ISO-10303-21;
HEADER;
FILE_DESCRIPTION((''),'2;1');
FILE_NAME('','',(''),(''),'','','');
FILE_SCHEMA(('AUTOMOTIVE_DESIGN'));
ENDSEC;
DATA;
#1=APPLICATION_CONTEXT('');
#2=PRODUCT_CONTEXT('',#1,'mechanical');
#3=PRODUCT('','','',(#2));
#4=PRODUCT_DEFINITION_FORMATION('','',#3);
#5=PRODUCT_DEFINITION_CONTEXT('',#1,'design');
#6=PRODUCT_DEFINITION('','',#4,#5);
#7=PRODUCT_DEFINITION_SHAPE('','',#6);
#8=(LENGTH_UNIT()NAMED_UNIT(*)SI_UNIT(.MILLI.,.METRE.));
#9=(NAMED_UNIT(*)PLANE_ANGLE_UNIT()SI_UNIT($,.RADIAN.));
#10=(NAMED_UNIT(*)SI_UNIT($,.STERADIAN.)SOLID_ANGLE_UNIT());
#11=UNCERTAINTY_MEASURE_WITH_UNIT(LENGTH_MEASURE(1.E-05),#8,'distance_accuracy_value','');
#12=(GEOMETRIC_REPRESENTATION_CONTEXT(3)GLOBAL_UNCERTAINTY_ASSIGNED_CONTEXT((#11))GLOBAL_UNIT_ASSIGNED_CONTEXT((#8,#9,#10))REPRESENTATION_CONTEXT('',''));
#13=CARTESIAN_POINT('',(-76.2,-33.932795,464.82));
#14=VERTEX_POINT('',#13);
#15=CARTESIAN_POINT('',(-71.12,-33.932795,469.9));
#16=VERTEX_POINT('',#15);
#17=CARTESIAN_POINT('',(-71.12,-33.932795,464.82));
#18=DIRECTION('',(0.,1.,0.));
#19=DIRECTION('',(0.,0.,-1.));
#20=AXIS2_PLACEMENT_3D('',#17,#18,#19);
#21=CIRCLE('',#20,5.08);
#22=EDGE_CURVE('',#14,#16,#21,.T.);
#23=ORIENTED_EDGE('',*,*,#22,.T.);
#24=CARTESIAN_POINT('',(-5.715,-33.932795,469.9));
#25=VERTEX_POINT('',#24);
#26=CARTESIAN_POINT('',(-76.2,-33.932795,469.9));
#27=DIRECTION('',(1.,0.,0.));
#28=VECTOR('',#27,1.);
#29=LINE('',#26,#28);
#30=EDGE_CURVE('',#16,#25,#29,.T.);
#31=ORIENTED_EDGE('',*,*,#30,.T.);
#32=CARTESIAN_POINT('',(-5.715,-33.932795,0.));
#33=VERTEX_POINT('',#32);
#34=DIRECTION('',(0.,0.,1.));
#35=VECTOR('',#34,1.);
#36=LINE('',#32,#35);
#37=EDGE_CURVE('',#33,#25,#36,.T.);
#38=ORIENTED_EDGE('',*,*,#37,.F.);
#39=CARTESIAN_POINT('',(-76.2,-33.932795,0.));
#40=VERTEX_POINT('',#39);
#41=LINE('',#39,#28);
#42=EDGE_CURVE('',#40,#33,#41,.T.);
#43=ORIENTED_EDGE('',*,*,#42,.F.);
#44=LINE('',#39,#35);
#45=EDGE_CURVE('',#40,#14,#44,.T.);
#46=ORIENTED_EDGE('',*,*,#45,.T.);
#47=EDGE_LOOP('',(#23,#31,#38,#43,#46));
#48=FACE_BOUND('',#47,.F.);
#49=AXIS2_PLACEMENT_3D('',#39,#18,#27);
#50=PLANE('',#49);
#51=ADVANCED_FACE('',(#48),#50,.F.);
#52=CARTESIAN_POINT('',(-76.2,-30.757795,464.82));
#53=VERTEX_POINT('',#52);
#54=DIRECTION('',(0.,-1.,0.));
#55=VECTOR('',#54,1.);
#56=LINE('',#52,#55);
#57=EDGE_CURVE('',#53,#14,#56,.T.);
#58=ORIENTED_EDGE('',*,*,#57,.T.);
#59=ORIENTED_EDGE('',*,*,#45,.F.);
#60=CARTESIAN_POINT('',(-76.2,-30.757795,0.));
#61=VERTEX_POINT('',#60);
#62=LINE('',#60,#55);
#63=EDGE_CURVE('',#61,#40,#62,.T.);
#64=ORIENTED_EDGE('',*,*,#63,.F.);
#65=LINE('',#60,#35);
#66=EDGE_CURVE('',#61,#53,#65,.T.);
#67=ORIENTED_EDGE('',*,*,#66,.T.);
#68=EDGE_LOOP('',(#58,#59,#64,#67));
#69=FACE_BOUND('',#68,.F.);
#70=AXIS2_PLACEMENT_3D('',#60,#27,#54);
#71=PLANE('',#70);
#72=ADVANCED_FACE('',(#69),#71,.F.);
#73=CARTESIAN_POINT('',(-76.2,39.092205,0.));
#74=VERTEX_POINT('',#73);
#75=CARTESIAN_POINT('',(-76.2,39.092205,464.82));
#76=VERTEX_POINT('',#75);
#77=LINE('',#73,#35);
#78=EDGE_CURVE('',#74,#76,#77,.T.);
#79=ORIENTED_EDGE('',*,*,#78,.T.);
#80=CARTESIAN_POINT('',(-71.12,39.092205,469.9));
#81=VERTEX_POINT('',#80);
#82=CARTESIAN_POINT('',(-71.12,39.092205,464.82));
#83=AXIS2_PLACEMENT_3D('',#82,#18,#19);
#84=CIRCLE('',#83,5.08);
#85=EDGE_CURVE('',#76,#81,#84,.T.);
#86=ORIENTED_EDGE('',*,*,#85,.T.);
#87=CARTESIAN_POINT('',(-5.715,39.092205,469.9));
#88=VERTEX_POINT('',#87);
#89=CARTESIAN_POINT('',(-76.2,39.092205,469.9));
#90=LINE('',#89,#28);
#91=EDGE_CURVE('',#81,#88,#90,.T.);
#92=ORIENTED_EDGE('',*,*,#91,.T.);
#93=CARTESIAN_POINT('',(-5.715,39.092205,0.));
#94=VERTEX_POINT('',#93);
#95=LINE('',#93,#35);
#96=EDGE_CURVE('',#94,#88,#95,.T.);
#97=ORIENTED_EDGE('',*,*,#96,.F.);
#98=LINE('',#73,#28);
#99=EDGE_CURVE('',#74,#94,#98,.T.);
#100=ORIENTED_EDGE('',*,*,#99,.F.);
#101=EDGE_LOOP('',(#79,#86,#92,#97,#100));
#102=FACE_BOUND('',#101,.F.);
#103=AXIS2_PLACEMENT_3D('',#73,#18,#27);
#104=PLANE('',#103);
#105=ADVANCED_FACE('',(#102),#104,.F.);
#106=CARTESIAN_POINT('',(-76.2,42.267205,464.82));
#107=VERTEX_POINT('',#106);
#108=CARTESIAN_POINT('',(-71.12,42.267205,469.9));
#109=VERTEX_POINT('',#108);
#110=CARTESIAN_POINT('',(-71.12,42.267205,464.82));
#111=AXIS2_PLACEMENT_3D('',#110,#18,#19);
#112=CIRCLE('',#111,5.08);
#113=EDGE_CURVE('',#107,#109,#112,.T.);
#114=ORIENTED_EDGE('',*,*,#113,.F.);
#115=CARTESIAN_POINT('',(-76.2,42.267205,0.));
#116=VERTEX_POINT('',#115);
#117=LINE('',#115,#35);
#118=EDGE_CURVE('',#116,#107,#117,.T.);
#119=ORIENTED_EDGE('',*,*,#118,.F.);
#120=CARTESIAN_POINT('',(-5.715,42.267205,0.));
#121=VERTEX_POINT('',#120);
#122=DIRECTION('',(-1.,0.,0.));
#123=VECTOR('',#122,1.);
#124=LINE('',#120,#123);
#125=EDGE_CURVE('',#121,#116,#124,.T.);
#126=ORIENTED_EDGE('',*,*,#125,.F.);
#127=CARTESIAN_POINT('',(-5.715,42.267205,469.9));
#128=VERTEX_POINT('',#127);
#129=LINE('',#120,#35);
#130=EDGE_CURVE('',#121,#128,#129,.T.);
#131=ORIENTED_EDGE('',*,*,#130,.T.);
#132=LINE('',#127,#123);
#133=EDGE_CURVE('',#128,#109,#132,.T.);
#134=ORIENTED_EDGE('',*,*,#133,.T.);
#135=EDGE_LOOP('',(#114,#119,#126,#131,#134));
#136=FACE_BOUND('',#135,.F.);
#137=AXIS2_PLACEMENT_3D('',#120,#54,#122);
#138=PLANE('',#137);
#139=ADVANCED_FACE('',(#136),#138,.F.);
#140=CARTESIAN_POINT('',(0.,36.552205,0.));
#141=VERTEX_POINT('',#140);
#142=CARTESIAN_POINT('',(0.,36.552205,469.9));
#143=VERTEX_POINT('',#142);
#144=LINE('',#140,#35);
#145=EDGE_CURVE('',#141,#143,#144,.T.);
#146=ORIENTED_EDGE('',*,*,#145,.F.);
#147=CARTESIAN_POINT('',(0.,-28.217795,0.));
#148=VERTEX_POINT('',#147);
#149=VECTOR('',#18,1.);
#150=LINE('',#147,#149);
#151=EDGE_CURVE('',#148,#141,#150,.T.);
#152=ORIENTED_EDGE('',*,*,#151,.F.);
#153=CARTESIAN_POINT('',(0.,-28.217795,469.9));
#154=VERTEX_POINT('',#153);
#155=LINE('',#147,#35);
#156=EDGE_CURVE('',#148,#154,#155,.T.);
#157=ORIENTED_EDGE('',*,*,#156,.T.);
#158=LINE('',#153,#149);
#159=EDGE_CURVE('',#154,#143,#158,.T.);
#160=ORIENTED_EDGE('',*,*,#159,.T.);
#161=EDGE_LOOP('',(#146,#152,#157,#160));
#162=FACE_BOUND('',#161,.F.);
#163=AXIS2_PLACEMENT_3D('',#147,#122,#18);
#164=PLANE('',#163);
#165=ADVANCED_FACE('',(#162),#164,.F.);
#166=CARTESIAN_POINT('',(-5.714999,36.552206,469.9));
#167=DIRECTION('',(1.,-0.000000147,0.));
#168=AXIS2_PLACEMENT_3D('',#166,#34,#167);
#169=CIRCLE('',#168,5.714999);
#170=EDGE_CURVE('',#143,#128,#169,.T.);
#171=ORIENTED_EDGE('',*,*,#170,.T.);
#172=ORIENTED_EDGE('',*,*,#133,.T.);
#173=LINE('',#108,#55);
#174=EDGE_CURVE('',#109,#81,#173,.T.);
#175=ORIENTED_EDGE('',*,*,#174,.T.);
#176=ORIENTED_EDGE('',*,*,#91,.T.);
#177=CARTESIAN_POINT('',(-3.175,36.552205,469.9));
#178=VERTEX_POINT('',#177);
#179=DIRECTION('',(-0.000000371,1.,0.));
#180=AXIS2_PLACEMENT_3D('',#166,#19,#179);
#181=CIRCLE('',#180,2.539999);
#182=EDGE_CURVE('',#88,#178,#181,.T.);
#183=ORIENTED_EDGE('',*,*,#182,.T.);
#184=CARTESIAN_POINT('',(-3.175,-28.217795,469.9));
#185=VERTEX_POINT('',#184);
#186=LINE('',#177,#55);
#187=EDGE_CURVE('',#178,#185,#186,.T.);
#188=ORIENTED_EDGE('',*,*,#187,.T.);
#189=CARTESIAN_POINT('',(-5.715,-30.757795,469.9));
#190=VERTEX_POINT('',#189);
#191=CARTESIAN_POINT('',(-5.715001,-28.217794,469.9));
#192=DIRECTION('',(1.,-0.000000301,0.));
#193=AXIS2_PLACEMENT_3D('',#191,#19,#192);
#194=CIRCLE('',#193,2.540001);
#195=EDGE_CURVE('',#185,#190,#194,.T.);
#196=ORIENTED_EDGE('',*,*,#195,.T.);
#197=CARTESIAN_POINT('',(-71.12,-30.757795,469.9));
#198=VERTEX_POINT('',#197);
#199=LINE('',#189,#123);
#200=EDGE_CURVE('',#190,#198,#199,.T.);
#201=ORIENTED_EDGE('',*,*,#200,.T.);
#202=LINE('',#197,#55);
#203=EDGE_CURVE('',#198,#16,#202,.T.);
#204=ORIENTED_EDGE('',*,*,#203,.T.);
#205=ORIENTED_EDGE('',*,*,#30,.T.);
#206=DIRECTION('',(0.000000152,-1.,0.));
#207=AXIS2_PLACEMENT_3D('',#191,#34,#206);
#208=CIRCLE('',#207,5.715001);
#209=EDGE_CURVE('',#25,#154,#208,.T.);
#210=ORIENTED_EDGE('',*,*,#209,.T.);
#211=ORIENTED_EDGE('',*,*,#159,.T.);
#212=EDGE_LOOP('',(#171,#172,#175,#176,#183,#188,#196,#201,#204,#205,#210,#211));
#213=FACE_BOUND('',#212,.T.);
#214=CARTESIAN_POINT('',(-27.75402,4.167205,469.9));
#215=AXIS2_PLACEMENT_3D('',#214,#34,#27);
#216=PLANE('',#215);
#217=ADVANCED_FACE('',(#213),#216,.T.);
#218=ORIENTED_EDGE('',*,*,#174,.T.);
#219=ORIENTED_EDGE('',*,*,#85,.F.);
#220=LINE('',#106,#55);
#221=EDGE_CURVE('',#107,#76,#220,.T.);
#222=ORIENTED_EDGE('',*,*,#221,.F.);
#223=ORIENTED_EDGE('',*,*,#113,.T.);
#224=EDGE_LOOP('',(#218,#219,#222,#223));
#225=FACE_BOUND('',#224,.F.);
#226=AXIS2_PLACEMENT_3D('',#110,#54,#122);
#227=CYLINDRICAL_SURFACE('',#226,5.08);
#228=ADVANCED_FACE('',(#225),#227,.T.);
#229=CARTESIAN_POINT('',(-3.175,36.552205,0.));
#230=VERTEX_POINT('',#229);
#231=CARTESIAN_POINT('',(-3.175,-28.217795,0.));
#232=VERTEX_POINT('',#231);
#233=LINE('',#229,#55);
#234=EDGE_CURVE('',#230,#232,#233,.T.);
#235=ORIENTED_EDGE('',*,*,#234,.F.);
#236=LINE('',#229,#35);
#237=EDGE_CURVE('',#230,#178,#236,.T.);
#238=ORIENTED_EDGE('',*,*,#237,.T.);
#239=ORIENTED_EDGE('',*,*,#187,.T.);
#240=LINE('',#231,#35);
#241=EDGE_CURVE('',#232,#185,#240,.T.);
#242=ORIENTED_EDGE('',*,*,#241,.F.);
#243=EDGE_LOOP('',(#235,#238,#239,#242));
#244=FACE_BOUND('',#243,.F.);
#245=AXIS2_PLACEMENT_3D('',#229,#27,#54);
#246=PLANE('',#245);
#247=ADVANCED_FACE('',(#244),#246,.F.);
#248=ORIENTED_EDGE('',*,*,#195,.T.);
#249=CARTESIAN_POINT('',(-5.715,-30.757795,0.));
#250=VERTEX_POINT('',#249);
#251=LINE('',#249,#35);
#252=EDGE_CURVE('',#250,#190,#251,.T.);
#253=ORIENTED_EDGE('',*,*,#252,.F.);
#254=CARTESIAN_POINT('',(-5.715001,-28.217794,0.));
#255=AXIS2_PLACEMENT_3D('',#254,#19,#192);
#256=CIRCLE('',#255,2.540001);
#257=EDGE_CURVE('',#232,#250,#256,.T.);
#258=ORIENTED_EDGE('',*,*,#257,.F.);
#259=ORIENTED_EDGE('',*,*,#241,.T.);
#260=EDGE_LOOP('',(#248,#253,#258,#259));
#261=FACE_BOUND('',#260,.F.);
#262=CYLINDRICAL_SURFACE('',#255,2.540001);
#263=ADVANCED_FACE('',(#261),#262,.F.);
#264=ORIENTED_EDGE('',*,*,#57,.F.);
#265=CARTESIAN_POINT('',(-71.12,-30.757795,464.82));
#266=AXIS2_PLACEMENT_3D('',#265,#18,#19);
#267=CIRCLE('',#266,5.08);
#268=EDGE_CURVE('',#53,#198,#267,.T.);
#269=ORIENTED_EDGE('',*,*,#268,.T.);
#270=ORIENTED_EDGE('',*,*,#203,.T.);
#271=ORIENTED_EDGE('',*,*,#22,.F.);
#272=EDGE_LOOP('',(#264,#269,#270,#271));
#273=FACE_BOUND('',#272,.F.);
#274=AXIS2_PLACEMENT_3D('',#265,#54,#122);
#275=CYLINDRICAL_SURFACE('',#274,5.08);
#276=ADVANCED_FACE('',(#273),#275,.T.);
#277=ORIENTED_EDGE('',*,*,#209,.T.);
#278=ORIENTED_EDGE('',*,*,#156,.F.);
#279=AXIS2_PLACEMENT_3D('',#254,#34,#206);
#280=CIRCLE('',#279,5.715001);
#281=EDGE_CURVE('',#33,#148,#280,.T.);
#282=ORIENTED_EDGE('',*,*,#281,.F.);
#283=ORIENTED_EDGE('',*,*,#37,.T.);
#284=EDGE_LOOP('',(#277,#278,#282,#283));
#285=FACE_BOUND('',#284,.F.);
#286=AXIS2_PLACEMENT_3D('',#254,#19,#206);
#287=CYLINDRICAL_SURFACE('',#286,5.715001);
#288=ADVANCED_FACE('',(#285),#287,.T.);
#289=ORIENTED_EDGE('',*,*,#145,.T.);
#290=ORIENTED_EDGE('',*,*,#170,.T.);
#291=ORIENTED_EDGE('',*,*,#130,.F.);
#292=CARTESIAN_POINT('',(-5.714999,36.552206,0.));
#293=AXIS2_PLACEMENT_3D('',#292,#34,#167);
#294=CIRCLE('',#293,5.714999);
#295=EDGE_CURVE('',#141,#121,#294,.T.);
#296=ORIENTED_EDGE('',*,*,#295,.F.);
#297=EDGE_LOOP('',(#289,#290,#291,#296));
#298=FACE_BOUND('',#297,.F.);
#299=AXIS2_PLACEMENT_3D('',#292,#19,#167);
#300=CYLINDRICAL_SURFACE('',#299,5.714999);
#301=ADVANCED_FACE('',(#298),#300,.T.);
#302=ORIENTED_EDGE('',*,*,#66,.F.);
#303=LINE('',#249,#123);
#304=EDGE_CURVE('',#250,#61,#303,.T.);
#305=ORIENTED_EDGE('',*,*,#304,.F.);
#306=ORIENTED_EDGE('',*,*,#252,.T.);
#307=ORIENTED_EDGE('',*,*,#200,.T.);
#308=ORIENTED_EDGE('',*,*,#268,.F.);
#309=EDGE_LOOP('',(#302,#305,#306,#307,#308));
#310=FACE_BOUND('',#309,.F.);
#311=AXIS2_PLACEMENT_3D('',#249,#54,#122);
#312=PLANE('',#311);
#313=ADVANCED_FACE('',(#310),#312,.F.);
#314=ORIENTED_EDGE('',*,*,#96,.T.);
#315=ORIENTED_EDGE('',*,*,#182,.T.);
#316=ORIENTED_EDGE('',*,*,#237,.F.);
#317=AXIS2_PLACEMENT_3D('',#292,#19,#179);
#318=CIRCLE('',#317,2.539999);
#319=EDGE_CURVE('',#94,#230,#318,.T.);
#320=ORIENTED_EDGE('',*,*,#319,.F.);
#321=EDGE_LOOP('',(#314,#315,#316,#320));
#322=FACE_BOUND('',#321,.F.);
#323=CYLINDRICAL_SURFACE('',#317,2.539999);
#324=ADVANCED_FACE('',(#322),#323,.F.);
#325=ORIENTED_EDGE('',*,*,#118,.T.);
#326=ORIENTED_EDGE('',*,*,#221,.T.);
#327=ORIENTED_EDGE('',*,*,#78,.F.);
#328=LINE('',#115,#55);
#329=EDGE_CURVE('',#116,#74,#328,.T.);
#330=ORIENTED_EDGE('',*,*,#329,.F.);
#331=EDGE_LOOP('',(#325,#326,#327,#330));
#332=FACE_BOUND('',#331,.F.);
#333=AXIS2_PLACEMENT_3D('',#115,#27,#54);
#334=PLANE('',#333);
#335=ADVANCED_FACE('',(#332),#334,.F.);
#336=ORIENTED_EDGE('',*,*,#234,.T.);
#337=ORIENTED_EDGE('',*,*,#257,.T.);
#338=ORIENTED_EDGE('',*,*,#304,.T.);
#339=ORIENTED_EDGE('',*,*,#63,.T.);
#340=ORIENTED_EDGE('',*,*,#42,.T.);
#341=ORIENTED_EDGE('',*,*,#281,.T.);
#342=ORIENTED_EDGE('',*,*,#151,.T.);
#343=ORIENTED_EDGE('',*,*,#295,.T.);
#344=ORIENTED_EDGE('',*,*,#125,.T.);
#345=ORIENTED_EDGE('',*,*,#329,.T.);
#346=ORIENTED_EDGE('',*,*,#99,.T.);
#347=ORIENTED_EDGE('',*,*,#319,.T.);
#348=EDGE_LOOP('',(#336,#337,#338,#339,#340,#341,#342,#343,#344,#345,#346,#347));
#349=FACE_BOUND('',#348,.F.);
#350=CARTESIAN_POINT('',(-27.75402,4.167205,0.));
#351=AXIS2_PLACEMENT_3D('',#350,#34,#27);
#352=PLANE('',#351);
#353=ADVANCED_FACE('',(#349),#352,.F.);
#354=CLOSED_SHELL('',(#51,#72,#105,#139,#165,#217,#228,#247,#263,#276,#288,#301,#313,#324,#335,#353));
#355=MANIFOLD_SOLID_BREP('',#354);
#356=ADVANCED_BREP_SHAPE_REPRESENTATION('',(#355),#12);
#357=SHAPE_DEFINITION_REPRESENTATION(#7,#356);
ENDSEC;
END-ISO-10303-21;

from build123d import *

# Parameters (mm, degrees)
F1_DEPTH = 469.9
F2_R     = 5.08


with BuildPart() as f1:
    # F0 (on Top) → F1 (new body)
    with BuildSketch(Plane.XY):
        with BuildLine():
            Line((-5.715, 42.267205), (-76.2, 42.267205))
            Line((-76.2, 42.267205), (-76.2, 39.092205))
            Line((-76.2, 39.092205), (-5.715, 39.092205))
            ThreePointArc((-5.715, 39.092205), (-3.918949, 38.348257), (-3.175, 36.552205))
            Line((-3.175, 36.552205), (-3.175, -28.217795))
            ThreePointArc((-3.175, -28.217795), (-3.918949, -30.013846), (-5.715, -30.757795))
            Line((-5.715, -30.757795), (-76.2, -30.757795))
            Line((-76.2, -30.757795), (-76.2, -33.932795))
            Line((-76.2, -33.932795), (-5.715, -33.932795))
            ThreePointArc((-5.715, -33.932795), (-1.673885, -32.25891), (0, -28.217795))
            Line((0, -28.217795), (0, 36.552205))
            ThreePointArc((0, 36.552205), (-1.673885, 40.593321), (-5.715, 42.267205))
        make_face()
    extrude(amount=F1_DEPTH)

    # F2
    f2_edges = [f1.edges().sort_by_distance(p)[0] for p in [
        (-76.2, -32.345295, 469.9),
        (-76.2, 40.679705, 469.9),
    ]]
    fillet(f2_edges, radius=F2_R)


solid = f1.part
